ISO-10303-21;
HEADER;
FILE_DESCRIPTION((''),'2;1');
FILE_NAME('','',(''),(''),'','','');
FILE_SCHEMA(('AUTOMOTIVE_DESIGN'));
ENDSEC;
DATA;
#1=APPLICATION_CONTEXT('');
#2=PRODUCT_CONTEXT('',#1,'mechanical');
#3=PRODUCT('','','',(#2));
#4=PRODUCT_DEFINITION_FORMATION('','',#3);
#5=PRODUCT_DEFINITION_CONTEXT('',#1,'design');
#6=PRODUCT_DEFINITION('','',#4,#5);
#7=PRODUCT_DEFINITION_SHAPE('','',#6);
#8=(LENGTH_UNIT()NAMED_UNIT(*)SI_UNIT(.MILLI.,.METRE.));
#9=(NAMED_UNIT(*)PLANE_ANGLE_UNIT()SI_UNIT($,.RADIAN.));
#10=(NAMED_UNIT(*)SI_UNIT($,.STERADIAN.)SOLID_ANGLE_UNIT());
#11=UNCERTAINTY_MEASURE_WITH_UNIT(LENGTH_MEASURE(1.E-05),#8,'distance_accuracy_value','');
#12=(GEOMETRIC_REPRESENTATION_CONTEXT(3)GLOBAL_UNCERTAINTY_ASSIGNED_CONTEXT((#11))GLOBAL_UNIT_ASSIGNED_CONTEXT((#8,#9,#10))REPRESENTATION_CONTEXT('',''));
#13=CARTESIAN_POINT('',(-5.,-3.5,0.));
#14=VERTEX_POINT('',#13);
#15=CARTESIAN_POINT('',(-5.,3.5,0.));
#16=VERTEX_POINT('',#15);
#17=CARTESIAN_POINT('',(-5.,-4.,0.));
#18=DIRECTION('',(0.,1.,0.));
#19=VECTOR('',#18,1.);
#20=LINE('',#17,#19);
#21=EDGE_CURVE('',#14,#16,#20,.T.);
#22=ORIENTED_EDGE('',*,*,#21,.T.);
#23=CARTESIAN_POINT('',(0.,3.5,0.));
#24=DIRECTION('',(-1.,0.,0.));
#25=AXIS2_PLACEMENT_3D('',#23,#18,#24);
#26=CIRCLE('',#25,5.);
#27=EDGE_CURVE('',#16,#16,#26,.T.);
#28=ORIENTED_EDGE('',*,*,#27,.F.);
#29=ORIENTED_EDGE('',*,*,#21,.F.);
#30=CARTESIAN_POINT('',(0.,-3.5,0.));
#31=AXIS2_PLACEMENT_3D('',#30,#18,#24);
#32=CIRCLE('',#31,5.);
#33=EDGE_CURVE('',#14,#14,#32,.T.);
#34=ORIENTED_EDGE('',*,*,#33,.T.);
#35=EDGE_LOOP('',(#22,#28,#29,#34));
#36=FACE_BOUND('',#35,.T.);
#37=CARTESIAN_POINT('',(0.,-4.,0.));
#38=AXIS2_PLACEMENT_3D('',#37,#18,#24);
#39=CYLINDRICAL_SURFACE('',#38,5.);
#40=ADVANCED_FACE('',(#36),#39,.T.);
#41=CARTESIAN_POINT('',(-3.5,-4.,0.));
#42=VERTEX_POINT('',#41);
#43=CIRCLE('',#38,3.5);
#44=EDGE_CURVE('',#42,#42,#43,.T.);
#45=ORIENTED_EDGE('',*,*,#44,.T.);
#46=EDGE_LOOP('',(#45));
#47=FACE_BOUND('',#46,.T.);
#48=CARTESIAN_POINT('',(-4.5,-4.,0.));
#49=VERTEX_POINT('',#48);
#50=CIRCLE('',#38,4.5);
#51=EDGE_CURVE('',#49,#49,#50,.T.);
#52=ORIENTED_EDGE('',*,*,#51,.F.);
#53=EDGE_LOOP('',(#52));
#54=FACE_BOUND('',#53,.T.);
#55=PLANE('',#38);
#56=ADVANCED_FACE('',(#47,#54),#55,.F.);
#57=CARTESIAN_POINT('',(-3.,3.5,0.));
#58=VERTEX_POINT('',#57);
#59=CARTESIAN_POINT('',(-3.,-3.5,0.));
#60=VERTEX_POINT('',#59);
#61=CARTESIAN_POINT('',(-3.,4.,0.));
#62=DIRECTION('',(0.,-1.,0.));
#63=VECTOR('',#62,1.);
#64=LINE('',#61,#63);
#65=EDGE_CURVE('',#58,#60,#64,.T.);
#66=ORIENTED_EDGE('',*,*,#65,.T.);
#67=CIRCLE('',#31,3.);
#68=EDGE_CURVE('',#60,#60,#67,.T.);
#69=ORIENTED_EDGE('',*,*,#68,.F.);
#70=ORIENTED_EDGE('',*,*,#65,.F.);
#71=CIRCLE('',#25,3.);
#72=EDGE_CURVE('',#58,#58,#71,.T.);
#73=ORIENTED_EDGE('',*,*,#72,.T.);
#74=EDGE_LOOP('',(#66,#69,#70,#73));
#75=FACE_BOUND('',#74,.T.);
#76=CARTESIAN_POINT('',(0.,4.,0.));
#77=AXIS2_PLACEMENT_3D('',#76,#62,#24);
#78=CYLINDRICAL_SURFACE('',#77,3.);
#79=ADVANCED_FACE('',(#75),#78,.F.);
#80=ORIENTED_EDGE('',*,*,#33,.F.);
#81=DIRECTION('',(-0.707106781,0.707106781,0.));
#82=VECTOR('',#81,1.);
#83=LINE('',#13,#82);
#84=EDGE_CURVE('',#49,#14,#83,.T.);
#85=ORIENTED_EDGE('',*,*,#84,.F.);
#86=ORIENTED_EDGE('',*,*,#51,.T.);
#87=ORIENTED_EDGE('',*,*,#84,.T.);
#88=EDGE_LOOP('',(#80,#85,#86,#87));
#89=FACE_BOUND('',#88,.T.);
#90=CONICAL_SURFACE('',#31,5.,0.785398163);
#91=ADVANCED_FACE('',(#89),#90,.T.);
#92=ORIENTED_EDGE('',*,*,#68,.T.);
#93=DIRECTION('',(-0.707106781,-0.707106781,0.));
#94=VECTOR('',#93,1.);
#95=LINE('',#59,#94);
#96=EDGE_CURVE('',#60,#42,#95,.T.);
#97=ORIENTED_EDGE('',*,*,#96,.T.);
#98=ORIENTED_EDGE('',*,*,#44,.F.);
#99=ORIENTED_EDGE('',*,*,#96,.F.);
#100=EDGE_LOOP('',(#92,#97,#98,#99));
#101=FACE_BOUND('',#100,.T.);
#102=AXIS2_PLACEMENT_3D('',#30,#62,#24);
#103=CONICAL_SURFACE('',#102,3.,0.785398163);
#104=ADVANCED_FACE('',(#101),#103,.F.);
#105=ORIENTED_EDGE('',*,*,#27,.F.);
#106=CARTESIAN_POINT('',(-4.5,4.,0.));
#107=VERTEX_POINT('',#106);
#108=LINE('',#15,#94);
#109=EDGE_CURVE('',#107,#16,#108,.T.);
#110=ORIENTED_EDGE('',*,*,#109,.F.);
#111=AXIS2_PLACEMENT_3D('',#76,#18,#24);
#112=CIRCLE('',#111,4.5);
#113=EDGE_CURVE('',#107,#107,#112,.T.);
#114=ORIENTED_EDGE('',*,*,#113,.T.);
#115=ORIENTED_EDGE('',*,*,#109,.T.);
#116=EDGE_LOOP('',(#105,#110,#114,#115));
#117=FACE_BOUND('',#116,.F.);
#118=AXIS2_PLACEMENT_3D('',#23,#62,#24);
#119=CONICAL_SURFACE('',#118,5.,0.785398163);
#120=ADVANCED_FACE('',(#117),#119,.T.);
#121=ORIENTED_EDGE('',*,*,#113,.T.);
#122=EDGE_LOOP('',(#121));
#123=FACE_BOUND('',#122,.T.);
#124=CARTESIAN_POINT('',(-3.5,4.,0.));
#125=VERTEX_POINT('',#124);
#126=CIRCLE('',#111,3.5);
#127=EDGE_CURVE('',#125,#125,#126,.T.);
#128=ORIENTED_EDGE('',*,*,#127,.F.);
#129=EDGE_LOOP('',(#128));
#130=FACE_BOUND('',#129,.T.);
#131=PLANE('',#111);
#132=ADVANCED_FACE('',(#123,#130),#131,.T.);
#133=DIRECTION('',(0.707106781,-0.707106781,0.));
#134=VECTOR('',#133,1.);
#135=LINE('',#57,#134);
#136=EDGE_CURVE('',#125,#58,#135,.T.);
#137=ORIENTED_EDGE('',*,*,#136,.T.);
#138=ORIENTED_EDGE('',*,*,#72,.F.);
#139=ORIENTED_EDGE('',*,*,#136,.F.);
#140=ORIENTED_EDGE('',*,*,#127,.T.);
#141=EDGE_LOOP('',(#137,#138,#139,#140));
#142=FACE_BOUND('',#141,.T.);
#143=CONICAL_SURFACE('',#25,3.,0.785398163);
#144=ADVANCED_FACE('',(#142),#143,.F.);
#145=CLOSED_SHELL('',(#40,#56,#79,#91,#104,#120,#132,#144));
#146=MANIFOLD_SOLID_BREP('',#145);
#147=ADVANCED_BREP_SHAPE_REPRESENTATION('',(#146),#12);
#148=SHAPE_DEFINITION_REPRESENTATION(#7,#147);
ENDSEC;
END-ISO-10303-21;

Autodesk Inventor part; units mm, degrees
ref_plane "YZ Plane" through (0, 0, 0) normal (1, 0, 0) x (0, 1, 0)
ref_plane "XZ Plane" through (0, 0, 0) normal (0, 1, 0) x (-1, 0, 0)
ref_plane "XY Plane" through (0, 0, 0) normal (0, 0, 1) x (1, 0, 0)
sketch "Esboço1" plane through (0, 0, 0) normal (0, 0, 1) x (1, 0, 0)
  line L0 (-6, 0) -> (1, 0) construction
  line L1 (0, -5.6) -> (0, 5.6) construction
  line L2 (-5, 4) -> (-3, 4)
  line L3 (-3, 4) -> (-3, -4)
  line L4 (-3, -4) -> (-5, -4)
  line L5 (-5, -4) -> (-5, 4)
  point P0 (0, 0)
  dimension "d1" = 8
  dimension "d2" = 10
  dimension "d3" = 6
revolve "Revolução1" add sketch "Esboço1" angle 360 about axis through (0, -10, 0) along (0, 1, 0)
chamfer "Chanfro1" distance 0.5 angle 45 4 edges at (5, -4, 0) (3, -4, 0) (3, 4, 0) (5, 4, 0)
properties part number "GRJ-03-117" material "Latão YL"
